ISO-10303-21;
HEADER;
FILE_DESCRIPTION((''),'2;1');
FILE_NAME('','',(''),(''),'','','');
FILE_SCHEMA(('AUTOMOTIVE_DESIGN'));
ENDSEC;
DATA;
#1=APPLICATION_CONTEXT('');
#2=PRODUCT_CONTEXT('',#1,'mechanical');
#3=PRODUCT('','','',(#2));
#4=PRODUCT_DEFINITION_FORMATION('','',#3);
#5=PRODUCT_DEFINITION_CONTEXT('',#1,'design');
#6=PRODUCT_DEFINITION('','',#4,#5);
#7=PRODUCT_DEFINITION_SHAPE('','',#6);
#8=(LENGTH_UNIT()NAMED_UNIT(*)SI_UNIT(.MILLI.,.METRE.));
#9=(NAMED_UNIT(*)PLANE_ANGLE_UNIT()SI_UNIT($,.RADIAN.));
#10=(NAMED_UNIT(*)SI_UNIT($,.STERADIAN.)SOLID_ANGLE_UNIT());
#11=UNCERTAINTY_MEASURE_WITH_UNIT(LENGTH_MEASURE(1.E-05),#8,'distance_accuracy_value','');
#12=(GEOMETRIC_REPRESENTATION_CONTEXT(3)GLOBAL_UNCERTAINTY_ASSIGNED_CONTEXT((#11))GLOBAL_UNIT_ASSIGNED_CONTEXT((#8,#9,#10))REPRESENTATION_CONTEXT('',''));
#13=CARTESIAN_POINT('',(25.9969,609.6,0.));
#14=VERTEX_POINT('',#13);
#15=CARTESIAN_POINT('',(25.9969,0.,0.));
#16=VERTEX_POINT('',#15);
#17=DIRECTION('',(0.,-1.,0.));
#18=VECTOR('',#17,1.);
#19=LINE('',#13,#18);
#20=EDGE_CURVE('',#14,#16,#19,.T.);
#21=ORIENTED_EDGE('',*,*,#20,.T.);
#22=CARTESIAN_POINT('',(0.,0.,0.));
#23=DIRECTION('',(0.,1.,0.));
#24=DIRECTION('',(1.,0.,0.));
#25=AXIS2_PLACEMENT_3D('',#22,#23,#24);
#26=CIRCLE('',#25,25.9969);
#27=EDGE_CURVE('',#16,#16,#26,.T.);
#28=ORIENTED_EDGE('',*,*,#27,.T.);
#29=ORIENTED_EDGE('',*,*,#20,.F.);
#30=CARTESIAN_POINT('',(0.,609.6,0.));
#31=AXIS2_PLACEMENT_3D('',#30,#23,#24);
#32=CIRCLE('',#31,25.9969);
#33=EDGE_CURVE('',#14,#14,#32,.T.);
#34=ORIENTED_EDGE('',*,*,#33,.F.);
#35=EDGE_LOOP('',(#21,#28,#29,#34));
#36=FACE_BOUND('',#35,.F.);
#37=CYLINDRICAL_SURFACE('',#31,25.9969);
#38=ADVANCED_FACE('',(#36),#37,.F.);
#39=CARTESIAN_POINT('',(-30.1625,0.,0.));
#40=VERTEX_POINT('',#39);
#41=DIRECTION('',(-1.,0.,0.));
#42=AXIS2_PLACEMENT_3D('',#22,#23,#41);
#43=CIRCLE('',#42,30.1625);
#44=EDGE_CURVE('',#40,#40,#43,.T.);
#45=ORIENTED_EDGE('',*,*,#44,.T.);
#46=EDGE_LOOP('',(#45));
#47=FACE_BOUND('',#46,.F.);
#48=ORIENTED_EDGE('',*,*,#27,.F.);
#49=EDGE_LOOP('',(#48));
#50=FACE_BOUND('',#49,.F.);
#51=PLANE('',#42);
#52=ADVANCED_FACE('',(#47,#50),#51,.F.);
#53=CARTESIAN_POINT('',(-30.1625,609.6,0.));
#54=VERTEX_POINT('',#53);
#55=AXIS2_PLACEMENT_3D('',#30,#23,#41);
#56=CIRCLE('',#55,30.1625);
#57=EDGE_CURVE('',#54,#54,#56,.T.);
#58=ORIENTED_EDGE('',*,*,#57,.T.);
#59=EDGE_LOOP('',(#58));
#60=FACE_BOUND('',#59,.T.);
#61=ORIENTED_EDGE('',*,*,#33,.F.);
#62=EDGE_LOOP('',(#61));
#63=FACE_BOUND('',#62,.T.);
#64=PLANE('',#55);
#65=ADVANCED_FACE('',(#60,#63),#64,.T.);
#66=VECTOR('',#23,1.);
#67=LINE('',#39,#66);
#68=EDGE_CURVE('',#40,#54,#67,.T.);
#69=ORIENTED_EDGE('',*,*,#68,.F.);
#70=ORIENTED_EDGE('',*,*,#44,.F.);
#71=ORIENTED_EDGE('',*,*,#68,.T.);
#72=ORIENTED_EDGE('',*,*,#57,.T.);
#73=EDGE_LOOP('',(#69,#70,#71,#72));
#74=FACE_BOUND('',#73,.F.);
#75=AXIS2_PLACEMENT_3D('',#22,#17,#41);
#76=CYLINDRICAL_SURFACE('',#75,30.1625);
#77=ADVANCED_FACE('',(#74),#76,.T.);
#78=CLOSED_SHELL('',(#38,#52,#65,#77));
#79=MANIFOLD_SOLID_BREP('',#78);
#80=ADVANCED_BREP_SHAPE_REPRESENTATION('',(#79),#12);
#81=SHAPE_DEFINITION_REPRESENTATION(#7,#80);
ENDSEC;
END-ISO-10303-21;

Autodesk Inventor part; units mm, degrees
ref_plane "YZ Plane" through (0, 0, 0) normal (1, 0, 0) x (0, 1, 0)
ref_plane "XZ Plane" through (0, 0, 0) normal (0, 1, 0) x (-1, 0, 0)
ref_plane "XY Plane" through (0, 0, 0) normal (0, 0, 1) x (1, 0, 0)
sketch "Sketch1" plane through (0, 0, 0) normal (0, 1, 0) x (-1, 0, 0)
  circle A0 centre (0, 0) radius 30.1625
  dimension "d0" = 60.325
extrude "Extrusion1" add sketch "Sketch1" along normal blind 609.6
sketch "Sketch2" plane through (0, 609.6, 0) normal (0, 1, 0) x (1, 0, 0)
  circle A0 centre (0, 0) radius 25.9969
  dimension "d3" = 51.9938
extrude "Extrusion2" cut sketch "Sketch2" against normal blind 609.6
properties part number "2-24inPipw"
